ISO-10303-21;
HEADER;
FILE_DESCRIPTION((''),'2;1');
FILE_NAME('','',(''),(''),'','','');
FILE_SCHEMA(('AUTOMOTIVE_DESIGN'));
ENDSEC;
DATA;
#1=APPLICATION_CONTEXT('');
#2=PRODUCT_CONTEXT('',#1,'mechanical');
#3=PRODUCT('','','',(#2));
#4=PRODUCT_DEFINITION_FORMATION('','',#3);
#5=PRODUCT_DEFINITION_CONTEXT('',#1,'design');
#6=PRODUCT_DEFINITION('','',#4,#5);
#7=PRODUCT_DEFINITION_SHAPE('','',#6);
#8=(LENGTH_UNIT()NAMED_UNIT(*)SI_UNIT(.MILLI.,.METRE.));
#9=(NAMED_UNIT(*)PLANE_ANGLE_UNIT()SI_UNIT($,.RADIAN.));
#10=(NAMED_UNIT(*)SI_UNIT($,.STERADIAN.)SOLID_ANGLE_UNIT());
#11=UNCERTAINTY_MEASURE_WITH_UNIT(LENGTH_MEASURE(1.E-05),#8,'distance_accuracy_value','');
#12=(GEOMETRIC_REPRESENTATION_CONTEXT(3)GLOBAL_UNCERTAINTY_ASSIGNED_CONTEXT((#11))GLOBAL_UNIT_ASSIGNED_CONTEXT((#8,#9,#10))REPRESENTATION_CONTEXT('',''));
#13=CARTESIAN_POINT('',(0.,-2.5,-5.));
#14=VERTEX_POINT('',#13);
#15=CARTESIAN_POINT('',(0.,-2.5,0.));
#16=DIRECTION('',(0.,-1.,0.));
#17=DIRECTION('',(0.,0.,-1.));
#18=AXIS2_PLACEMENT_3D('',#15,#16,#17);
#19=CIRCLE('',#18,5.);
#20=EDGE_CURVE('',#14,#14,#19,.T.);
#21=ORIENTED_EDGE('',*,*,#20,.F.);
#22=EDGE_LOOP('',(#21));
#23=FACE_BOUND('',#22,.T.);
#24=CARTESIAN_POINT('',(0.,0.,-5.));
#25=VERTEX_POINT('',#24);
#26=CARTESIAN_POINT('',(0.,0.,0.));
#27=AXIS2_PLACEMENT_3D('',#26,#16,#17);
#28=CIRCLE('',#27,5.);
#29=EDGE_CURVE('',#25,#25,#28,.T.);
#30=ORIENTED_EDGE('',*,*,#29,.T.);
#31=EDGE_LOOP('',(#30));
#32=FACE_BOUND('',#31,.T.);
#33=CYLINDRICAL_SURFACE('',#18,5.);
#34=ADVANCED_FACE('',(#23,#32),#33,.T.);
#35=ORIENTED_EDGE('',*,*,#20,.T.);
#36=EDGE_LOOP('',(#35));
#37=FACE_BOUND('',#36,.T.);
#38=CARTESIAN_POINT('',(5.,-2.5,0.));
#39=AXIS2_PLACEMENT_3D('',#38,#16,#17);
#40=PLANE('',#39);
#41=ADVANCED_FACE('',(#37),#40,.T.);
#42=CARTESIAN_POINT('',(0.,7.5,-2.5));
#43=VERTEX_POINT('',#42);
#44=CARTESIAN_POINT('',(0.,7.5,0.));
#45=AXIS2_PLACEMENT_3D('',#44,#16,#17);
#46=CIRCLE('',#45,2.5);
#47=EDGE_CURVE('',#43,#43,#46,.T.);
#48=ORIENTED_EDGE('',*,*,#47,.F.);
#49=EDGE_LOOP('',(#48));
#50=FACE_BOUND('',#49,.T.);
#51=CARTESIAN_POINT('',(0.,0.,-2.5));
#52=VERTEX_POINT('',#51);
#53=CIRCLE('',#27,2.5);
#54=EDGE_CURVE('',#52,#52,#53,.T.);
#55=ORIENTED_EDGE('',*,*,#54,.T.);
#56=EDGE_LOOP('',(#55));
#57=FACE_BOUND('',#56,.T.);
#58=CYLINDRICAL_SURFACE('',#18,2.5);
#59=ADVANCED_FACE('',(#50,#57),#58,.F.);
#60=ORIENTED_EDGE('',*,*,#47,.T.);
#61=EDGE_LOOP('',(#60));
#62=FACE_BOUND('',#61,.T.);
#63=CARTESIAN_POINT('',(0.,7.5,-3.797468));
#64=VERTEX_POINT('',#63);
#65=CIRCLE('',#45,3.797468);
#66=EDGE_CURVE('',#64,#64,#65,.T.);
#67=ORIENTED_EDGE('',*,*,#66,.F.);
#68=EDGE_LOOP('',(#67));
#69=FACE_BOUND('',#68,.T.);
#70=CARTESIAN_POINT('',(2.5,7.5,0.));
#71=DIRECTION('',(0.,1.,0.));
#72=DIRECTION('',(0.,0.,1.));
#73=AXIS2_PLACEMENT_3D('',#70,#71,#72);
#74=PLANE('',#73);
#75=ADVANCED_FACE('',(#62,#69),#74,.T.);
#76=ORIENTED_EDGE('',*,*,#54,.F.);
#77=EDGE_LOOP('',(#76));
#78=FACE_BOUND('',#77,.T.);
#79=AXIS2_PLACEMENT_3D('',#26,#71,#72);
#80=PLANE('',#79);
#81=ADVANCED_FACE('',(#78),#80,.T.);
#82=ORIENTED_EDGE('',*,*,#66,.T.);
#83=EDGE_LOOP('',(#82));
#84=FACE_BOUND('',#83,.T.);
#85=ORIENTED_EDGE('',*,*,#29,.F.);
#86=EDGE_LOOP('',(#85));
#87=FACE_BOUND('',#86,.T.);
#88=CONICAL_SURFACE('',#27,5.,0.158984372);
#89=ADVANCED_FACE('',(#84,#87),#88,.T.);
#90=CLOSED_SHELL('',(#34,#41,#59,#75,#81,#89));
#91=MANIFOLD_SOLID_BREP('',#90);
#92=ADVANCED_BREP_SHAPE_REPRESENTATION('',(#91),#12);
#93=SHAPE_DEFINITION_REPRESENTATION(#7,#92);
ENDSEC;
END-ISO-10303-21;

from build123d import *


with BuildPart() as part:
    # Sketch1 → Revolve1 (revolve)
    with BuildSketch(Plane.XY, mode=Mode.PRIVATE) as revolve1_sk:
        Polygon((0, 0), (2.5, 0), (2.5, 7.5), (3.797468354, 7.5), (5, 0), (5, -2.5), (0, -2.5), align=None)
    revolve(revolve1_sk.sketch.rotate(Axis((0, -2.5, 0), (0, 1, 0)), 90), axis=Axis((0, -2.5, 0), (0, 1, 0)))


solid = part.part
